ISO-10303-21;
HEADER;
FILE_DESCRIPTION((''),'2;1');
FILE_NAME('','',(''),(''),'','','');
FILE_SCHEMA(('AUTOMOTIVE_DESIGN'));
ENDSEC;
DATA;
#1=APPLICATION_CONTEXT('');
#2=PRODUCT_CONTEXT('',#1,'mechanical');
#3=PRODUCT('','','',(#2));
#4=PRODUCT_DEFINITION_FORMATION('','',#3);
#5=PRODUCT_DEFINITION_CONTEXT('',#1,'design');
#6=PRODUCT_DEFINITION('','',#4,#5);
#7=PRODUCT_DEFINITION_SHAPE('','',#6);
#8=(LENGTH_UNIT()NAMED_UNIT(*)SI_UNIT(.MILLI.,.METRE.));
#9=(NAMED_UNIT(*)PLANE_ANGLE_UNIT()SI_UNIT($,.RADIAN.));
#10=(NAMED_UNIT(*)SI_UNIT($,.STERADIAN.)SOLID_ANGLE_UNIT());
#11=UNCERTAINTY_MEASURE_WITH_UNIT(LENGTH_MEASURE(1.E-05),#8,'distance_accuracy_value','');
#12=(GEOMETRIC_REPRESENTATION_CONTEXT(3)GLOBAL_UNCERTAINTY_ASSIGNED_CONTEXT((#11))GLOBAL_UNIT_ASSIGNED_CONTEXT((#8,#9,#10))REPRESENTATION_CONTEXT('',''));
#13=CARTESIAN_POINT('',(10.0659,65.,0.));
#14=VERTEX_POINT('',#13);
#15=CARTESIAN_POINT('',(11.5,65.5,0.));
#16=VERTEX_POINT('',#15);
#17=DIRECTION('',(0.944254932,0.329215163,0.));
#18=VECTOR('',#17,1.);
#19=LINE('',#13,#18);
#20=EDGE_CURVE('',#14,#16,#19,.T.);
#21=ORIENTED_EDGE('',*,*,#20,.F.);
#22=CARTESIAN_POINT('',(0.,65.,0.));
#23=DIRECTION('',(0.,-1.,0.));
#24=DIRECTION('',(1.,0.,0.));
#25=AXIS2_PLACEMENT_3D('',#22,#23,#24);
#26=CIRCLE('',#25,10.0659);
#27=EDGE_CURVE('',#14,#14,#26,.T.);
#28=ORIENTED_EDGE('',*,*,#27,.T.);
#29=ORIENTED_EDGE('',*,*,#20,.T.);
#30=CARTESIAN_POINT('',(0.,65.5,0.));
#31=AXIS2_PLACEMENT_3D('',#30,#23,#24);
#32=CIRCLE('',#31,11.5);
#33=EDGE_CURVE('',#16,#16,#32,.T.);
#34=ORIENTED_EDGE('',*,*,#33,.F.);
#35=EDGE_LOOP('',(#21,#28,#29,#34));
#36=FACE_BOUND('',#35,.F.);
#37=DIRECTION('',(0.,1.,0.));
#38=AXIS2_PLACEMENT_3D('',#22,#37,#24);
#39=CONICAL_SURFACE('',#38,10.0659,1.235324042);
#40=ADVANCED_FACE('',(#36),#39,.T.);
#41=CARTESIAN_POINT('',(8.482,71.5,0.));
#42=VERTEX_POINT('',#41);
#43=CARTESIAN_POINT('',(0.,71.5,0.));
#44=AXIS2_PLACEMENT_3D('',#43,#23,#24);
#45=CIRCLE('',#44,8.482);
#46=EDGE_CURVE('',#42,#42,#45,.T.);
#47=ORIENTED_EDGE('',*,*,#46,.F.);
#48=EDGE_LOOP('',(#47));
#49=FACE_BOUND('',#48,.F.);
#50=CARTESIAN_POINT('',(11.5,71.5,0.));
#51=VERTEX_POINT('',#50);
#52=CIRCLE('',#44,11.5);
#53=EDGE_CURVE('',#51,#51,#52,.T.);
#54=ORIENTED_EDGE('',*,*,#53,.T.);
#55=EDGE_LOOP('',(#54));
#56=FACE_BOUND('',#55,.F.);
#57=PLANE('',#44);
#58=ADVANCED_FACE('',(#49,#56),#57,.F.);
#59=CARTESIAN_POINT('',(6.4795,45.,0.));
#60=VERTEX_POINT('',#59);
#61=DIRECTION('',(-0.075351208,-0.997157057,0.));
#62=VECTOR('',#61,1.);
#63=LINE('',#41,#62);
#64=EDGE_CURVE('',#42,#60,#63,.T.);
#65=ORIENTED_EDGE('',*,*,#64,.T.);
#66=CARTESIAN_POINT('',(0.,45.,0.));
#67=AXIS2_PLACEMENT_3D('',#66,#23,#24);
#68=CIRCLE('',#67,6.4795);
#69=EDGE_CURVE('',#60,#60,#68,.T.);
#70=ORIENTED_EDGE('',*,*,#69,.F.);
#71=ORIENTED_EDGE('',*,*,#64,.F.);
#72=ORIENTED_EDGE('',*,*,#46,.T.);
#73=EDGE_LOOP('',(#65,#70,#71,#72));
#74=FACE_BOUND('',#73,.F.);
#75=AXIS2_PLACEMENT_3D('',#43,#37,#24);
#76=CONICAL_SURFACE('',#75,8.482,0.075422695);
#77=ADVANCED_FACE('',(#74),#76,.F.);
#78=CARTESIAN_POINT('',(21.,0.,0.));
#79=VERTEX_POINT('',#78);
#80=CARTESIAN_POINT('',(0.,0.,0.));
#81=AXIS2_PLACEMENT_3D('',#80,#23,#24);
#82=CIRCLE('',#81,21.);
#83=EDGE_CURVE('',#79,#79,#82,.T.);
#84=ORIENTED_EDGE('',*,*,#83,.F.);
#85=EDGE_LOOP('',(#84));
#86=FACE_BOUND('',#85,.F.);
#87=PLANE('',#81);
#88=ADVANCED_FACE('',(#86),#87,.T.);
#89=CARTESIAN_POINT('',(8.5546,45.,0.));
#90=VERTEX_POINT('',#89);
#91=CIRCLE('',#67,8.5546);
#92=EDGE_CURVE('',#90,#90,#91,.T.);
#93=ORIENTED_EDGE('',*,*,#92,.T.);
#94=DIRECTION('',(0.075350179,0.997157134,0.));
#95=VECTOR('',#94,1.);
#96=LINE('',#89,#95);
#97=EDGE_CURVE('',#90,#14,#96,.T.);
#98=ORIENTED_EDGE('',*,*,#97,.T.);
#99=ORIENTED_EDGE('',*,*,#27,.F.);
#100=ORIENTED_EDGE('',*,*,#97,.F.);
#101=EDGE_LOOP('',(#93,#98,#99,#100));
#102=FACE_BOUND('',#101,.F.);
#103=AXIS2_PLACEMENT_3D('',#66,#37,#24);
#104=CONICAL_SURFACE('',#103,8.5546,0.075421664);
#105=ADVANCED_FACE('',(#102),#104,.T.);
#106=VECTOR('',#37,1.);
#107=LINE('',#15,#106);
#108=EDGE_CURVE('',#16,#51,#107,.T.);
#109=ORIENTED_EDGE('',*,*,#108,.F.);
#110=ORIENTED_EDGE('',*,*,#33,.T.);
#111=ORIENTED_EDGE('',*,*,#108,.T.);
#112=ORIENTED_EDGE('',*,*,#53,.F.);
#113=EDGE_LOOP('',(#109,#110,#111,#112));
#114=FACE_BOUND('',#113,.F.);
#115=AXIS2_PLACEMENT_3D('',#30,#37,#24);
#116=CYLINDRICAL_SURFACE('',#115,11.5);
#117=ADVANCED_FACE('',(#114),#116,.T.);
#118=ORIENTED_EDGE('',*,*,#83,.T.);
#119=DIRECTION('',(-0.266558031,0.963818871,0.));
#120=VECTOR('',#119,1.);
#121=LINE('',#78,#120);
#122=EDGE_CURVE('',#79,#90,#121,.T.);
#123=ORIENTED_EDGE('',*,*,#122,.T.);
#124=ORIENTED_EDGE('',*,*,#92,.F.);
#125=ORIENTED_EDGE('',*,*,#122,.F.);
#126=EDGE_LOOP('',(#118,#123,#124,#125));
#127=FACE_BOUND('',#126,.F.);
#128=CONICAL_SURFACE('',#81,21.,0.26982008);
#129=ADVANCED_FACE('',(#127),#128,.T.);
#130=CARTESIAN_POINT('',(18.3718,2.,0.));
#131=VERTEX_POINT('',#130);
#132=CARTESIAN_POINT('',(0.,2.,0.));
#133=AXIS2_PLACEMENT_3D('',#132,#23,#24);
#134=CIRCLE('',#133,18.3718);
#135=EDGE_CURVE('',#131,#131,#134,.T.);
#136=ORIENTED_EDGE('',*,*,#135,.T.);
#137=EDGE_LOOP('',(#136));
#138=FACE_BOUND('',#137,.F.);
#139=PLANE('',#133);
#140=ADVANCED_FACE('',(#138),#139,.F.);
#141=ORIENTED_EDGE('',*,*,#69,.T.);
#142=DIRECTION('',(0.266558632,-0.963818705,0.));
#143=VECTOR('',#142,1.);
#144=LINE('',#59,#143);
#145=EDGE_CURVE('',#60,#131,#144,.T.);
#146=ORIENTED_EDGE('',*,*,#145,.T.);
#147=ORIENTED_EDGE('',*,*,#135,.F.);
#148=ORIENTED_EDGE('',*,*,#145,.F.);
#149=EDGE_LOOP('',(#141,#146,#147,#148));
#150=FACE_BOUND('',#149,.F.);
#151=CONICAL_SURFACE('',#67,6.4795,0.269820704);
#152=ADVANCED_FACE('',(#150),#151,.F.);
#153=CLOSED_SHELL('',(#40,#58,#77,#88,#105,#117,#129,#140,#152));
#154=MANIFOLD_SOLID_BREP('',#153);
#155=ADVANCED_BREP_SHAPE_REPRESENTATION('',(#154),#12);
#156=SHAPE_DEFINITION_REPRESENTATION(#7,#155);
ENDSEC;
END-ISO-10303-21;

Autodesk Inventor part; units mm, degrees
ref_plane "YZ Plane" through (0, 0, 0) normal (1, 0, 0) x (0, 1, 0)
ref_plane "XZ Plane" through (0, 0, 0) normal (0, 1, 0) x (-1, 0, 0)
ref_plane "XY Plane" through (0, 0, 0) normal (0, 0, 1) x (1, 0, 0)
sketch "Эскиз1" plane through (0, 0, 0) normal (0, 0, 1) x (1, 0, 0)
  line L0 (0, 0) -> (21, 0)
  line L1 (21, 0) -> (8.5546, 45)
  line L2 (8.5546, 45) -> (10.0659, 65)
  line L3 (11.5, 65.5) -> (11.5, 71.5)
  line L4 (11.5, 71.5) -> (8.482, 71.5)
  line L5 (8.482, 71.5) -> (6.4795, 45)
  line L6 (6.4795, 45) -> (18.3718, 2)
  line L7 (18.3718, 2) -> (0, 2)
  line L8 (0, 21.2466) -> (0, -2.9394)
  line L9 (10.0659, 65) -> (11.5, 65.5)
  point P0 (0, 2)
  dimension "d1" = 2
  dimension "d2" = 2
  dimension "d13" = 21
  dimension "d14" = 12.959
  dimension "d15" = 16.964
  dimension "d16" = 11.5
  dimension "d17" = 0.5
  dimension "d18" = 6
  dimension "d19" = 20
  dimension "d20" = 45
revolve "Вращение1" add sketch "Эскиз1" angle 360 about axis through (0, 21.2466, 0) along (0, -1, 0)
properties part number "Модель колба коническая 25мл 1"
